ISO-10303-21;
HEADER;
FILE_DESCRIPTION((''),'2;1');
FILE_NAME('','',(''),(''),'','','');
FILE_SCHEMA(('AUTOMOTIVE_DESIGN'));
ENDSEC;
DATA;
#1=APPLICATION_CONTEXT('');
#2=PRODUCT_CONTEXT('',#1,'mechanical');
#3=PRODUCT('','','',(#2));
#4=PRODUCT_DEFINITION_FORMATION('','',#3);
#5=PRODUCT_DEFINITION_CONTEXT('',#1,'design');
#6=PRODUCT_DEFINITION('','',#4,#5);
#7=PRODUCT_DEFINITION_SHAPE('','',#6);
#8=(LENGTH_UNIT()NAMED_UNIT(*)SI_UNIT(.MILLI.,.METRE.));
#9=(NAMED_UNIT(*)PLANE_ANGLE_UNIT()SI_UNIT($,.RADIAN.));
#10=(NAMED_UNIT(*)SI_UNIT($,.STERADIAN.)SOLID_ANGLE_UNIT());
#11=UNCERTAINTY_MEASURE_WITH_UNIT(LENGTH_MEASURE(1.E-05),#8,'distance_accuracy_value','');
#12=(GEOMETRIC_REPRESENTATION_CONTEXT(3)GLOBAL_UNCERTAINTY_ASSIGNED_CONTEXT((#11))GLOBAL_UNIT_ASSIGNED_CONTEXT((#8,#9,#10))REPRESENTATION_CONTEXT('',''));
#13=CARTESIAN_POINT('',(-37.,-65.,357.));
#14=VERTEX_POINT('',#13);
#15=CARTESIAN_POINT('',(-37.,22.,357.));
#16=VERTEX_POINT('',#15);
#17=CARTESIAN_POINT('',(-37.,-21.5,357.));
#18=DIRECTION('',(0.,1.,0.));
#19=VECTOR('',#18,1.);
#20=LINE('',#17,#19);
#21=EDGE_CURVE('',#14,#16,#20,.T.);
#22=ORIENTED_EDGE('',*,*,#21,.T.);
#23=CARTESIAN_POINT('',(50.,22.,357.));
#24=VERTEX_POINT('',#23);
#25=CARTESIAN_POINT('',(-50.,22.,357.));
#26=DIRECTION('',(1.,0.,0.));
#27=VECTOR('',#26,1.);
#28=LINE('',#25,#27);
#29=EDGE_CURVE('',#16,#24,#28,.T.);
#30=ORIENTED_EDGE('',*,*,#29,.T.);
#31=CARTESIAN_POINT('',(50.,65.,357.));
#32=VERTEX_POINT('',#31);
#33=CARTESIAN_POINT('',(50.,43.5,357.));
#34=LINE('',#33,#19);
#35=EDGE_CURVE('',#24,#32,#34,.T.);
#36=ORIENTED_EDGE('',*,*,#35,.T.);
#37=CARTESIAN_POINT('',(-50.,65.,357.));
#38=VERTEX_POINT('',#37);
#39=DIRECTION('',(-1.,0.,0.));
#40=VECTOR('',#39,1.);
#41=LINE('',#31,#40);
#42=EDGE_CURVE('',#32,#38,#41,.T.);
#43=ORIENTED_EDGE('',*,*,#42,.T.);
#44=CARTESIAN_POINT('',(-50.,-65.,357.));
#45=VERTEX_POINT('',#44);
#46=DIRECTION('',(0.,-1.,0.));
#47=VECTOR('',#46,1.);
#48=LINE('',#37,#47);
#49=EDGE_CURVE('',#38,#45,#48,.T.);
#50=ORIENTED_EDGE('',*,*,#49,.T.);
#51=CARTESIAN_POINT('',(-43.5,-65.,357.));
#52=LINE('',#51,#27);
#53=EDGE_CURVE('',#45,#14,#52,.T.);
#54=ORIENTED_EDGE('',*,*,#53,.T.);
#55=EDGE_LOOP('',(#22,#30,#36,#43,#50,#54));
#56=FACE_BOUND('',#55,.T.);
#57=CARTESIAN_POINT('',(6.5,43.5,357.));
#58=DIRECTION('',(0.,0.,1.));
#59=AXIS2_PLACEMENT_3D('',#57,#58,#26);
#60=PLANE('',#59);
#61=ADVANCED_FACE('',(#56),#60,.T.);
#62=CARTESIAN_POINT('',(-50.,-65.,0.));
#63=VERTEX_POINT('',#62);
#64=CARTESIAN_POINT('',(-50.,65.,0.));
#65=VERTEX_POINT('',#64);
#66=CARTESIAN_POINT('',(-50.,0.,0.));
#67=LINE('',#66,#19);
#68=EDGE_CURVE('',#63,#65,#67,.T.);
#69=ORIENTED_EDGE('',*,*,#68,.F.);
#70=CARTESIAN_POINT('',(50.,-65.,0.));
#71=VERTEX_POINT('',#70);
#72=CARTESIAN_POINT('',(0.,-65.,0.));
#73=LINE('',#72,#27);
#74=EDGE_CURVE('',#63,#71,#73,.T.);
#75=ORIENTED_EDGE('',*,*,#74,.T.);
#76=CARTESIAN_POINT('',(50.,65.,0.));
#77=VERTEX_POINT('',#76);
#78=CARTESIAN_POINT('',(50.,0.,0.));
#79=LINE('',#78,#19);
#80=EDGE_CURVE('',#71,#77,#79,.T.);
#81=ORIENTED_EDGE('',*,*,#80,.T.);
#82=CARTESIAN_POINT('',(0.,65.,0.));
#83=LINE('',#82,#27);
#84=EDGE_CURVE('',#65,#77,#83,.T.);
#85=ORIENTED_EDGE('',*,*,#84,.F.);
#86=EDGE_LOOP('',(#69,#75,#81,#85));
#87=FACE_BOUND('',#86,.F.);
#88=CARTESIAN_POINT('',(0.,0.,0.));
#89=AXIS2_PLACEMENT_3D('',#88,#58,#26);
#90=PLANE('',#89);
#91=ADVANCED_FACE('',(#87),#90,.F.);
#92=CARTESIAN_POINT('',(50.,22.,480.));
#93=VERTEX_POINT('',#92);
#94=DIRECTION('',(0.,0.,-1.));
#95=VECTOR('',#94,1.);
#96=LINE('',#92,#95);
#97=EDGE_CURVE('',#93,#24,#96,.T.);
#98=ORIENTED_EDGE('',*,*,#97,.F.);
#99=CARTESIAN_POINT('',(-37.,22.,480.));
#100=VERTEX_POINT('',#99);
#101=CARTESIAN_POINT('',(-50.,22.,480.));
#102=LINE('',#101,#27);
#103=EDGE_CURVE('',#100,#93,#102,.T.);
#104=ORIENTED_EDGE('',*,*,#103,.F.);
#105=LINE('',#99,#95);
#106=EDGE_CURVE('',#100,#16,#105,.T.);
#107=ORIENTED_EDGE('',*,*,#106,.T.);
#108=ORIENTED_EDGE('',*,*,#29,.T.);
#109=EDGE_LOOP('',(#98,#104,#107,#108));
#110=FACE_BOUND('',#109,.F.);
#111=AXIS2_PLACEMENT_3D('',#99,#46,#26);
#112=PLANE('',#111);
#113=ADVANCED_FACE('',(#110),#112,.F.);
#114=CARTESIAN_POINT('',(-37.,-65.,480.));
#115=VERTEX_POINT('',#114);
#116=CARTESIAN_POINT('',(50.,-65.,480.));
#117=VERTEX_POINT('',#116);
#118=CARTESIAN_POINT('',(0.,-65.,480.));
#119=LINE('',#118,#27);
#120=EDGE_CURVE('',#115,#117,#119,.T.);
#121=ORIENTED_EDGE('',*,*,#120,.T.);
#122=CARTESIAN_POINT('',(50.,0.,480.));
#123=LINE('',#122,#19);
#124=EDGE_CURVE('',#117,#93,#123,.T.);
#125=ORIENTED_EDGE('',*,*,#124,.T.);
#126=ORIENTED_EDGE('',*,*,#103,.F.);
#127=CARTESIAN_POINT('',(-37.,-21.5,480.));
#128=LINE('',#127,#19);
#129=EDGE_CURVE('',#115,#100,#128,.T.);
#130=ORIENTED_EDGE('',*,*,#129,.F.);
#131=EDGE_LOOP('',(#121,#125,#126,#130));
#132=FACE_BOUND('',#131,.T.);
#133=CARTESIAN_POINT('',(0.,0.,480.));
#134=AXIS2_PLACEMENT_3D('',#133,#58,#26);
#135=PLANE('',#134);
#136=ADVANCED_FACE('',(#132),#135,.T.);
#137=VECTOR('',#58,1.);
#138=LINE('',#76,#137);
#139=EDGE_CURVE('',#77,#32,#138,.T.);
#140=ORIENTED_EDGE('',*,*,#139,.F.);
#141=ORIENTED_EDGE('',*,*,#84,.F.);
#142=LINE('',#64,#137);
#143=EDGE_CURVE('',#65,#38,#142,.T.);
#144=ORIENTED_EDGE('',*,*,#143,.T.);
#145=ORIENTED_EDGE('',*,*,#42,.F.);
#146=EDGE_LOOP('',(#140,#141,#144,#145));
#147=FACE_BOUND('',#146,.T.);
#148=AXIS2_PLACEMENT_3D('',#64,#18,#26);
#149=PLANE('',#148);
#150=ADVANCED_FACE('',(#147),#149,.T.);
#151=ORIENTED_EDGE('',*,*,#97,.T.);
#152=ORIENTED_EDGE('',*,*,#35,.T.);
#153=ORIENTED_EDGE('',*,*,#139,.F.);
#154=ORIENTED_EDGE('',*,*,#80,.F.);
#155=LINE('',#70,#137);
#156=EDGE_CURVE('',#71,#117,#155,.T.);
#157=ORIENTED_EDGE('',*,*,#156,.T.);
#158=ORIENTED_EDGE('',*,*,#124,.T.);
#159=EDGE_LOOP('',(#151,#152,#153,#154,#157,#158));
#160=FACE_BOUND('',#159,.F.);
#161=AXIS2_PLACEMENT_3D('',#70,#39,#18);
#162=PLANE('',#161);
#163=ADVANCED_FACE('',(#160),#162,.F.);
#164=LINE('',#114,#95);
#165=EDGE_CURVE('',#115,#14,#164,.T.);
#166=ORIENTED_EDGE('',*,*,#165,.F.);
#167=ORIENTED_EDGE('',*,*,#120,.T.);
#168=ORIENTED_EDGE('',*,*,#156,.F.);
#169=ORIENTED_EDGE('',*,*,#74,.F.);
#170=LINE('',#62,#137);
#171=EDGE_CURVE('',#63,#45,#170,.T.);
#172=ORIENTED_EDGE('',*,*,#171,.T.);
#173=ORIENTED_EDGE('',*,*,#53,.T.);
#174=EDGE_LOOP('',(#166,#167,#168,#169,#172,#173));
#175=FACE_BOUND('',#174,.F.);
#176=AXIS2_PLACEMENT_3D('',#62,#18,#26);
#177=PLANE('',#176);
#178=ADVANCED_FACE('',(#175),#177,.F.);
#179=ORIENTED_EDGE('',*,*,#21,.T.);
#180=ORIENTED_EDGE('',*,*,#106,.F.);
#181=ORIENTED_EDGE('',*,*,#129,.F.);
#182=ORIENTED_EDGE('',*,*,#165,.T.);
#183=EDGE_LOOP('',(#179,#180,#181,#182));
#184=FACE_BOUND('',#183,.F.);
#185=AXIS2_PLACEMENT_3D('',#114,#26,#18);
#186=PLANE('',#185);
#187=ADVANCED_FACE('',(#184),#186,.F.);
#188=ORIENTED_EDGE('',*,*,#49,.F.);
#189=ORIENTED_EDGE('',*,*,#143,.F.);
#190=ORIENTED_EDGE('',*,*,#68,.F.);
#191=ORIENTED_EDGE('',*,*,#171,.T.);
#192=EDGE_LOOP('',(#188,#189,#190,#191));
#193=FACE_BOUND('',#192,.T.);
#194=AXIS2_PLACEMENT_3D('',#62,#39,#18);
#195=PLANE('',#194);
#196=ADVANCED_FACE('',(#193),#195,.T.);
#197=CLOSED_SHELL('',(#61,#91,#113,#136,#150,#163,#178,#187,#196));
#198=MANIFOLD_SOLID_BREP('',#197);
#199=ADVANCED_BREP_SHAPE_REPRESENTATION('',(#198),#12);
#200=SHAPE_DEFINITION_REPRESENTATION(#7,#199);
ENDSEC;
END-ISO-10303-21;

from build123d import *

# Parameters (mm, degrees)
F0_W     = 100
F0_H     = 130
F1_DEPTH = 480
F2_W     = 87
F2_H     = 43
F2_W_2   = 13
F2_H_2   = 87
F3_DEPTH = 123


with BuildPart() as f1:
    # F0 (on Top) → F1 (new body)
    with BuildSketch(Plane.XY):
        Rectangle(F0_W, F0_H)
    extrude(amount=F1_DEPTH)

    # F2 (on face) → F3 (cut)
    with BuildSketch(Plane.XY.offset(480)):
        with Locations((6.5, 43.5)):
            Rectangle(F2_W, F2_H)
        with Locations((-43.5, 43.5)):
            Rectangle(F2_W_2, F2_H)
        with Locations((-43.5, -21.5)):
            Rectangle(F2_W_2, F2_H_2)
    extrude(amount=-F3_DEPTH, mode=Mode.SUBTRACT)


solid = f1.part
